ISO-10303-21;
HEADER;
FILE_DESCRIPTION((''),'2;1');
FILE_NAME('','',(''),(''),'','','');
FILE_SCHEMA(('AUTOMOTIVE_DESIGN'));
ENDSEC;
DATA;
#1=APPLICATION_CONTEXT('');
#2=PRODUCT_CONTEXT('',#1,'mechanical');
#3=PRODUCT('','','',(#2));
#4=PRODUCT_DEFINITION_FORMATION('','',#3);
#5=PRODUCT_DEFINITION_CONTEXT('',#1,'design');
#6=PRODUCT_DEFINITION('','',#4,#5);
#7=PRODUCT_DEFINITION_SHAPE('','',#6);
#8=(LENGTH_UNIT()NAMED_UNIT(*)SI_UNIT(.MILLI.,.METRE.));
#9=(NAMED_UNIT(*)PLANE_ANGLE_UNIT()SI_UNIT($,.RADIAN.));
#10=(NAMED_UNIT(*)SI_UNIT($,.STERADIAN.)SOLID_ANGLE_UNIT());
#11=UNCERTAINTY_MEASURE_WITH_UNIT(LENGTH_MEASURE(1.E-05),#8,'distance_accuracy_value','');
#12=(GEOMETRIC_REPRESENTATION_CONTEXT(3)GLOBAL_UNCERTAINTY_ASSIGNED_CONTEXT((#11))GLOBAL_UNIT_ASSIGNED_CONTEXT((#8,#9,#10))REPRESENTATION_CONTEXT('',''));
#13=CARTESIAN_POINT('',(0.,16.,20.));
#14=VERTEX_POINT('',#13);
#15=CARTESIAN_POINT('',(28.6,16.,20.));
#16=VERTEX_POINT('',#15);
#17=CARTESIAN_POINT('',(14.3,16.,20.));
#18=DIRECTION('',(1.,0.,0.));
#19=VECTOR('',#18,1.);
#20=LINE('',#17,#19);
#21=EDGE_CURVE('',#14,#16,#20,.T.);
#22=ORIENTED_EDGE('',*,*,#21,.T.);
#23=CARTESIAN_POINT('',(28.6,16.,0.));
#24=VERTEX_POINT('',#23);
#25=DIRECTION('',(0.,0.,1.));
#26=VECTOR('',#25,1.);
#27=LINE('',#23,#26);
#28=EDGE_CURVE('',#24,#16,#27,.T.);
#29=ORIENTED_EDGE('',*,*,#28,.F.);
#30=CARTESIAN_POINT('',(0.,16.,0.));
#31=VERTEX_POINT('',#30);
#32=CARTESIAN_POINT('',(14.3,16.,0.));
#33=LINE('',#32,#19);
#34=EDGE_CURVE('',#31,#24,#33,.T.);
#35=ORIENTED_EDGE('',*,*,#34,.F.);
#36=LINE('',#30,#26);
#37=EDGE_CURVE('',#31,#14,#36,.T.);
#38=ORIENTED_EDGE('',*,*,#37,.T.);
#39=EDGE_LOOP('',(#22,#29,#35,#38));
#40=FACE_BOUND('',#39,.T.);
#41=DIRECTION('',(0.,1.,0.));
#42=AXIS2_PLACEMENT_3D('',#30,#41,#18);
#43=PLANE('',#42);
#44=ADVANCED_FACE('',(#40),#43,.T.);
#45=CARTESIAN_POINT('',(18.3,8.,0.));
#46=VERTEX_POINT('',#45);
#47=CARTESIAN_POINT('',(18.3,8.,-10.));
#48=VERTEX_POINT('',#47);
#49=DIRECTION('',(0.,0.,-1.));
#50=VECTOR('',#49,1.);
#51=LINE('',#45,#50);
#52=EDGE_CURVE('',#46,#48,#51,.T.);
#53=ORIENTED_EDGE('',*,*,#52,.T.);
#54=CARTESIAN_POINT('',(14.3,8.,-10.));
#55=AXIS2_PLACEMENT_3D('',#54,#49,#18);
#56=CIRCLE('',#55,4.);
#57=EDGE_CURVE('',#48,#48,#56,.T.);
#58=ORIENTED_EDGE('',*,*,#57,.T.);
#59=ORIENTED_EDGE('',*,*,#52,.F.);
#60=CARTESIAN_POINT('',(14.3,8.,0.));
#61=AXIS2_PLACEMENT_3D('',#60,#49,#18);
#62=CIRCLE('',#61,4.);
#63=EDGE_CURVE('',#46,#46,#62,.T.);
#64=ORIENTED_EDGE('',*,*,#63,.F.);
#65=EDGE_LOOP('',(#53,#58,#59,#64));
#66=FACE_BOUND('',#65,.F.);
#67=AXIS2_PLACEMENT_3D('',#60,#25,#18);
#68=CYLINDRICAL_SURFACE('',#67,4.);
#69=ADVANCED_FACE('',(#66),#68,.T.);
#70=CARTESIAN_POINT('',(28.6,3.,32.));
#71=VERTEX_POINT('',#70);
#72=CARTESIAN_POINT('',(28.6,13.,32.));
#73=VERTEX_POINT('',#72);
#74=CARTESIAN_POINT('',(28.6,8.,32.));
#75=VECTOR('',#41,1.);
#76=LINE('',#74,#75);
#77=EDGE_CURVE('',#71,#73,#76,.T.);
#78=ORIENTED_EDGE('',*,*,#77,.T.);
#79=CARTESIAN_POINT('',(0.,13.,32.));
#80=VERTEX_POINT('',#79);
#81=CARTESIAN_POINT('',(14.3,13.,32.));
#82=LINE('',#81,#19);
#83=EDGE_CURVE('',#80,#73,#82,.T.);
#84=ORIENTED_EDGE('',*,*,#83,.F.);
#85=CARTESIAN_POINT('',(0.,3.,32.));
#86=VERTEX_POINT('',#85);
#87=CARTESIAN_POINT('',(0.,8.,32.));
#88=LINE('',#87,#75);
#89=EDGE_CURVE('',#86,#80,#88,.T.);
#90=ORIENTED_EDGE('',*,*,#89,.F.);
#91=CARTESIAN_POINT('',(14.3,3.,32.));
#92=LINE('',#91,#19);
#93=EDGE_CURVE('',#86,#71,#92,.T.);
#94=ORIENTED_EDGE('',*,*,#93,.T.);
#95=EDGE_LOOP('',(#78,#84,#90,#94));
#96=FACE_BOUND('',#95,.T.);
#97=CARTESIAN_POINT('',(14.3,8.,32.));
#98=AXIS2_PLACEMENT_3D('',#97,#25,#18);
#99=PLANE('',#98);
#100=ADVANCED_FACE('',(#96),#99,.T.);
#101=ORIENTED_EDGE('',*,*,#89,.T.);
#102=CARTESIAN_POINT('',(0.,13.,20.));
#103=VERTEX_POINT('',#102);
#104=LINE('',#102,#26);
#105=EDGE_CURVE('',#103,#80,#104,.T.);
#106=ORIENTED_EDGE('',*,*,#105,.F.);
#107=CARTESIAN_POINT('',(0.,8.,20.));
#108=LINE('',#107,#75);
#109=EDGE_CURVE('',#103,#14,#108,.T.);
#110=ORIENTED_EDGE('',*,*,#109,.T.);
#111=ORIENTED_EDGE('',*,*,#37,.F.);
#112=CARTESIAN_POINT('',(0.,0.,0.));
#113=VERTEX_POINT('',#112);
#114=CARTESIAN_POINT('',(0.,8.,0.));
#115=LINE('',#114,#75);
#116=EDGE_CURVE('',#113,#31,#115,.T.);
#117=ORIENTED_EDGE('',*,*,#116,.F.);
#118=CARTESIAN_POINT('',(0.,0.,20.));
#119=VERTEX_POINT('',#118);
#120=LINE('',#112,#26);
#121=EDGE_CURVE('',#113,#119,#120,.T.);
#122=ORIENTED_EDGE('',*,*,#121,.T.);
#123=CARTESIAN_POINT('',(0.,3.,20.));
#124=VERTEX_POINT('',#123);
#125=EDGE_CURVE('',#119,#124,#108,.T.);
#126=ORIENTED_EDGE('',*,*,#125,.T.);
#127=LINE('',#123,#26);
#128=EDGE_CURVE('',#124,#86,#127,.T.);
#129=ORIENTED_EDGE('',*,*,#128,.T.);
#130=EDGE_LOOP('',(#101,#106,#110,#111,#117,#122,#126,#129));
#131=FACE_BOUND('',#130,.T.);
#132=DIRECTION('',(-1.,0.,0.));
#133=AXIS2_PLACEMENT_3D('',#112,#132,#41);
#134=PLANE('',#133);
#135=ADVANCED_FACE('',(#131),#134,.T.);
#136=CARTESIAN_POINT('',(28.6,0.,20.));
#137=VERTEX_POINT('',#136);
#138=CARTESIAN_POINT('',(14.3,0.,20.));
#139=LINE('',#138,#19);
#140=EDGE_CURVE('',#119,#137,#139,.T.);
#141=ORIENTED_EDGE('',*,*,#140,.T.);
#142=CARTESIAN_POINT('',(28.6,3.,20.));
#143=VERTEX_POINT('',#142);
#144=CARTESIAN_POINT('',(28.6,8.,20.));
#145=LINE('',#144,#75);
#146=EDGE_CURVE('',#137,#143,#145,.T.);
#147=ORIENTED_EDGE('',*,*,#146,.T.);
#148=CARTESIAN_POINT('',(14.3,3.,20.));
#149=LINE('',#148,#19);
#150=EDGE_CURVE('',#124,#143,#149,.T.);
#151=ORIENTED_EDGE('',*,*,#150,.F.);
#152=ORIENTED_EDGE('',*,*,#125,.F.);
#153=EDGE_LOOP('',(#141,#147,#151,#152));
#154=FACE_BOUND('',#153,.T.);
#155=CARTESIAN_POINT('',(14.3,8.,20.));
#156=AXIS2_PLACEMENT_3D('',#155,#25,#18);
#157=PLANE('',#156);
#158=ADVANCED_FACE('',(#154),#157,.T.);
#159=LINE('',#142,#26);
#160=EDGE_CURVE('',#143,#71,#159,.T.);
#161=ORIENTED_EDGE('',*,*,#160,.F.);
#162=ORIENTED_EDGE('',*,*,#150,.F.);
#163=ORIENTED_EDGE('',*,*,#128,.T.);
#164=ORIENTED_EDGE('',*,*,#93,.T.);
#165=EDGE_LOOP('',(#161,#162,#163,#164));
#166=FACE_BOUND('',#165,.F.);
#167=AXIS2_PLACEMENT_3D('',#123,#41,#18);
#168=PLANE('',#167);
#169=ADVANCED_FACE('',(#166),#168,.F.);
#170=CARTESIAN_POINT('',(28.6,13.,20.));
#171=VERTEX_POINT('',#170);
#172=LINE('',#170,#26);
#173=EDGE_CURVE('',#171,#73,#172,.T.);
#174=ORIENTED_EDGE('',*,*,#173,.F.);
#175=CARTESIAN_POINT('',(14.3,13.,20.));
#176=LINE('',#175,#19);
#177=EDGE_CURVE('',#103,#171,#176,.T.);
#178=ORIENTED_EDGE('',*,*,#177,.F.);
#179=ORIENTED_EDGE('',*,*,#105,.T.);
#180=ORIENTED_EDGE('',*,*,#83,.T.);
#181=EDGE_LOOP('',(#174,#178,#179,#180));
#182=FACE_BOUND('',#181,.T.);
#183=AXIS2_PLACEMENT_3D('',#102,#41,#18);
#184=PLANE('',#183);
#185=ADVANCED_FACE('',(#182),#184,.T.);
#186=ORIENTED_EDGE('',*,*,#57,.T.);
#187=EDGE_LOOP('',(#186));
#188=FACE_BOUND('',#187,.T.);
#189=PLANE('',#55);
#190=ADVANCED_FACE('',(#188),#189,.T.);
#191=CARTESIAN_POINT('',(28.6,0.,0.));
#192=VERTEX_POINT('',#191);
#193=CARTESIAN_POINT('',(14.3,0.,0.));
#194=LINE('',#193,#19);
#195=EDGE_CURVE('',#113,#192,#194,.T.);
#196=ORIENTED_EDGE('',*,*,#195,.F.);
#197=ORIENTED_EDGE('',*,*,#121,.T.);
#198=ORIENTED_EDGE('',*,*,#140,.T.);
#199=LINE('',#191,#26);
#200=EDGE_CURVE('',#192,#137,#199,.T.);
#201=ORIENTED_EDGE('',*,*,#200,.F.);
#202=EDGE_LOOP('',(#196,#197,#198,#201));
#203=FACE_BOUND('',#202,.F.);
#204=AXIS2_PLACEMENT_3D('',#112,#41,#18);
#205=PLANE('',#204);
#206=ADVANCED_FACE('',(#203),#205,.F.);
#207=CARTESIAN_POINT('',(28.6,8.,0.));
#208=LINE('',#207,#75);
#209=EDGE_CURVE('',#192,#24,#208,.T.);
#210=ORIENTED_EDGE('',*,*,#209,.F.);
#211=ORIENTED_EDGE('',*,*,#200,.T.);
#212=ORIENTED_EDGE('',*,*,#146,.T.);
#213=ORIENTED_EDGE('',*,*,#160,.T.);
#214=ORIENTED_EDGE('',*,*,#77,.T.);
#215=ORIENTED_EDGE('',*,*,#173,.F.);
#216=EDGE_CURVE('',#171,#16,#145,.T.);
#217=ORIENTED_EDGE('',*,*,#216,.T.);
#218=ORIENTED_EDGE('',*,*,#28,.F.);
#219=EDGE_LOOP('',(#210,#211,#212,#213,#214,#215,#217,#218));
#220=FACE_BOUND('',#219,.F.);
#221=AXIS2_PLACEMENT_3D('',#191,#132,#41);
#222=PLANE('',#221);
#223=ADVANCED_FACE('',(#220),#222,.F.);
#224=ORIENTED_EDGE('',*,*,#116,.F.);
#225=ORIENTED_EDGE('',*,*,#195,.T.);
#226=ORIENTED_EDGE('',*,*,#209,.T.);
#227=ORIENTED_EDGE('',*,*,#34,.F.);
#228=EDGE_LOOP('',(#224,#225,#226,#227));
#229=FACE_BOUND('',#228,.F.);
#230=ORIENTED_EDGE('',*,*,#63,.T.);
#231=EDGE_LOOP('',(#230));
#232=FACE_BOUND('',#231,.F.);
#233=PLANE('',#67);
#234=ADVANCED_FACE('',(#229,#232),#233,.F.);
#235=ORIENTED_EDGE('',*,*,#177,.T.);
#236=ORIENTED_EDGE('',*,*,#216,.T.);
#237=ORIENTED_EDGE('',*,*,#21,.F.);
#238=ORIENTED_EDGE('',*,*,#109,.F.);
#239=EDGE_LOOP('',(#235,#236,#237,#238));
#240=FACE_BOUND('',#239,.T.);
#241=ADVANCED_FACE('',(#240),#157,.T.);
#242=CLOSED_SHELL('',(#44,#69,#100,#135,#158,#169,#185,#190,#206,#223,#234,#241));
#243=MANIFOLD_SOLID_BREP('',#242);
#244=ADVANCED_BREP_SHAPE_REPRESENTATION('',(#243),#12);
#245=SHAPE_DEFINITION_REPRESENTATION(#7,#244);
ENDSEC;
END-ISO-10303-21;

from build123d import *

# Parameters (mm, degrees)
F0_W     = 28.6
F0_H     = 16
F1_DEPTH = 20
F2_W     = 28.6
F2_H     = 10
F3_DEPTH = 12
F4_R     = 4
F5_DEPTH = 10


with BuildPart() as f1:
    # F0 (on Top) → F1 (new body)
    with BuildSketch(Plane.XY):
        with Locations((14.3, 8)):
            Rectangle(F0_W, F0_H)
    extrude(amount=F1_DEPTH)

    # F2 (on face) → F3 (join)
    with BuildSketch(Plane.XY.offset(20)):
        with Locations((14.3, 8)):
            Rectangle(F2_W, F2_H)
    extrude(amount=F3_DEPTH)

    # F4 (on face) → F5 (join)
    with BuildSketch(Plane(origin=(0, 0, 0), x_dir=(1, 0, 0), z_dir=(0, 0, -1))):
        with Locations((14.3, -8)):
            Circle(F4_R)
    extrude(amount=F5_DEPTH)


solid = f1.part
